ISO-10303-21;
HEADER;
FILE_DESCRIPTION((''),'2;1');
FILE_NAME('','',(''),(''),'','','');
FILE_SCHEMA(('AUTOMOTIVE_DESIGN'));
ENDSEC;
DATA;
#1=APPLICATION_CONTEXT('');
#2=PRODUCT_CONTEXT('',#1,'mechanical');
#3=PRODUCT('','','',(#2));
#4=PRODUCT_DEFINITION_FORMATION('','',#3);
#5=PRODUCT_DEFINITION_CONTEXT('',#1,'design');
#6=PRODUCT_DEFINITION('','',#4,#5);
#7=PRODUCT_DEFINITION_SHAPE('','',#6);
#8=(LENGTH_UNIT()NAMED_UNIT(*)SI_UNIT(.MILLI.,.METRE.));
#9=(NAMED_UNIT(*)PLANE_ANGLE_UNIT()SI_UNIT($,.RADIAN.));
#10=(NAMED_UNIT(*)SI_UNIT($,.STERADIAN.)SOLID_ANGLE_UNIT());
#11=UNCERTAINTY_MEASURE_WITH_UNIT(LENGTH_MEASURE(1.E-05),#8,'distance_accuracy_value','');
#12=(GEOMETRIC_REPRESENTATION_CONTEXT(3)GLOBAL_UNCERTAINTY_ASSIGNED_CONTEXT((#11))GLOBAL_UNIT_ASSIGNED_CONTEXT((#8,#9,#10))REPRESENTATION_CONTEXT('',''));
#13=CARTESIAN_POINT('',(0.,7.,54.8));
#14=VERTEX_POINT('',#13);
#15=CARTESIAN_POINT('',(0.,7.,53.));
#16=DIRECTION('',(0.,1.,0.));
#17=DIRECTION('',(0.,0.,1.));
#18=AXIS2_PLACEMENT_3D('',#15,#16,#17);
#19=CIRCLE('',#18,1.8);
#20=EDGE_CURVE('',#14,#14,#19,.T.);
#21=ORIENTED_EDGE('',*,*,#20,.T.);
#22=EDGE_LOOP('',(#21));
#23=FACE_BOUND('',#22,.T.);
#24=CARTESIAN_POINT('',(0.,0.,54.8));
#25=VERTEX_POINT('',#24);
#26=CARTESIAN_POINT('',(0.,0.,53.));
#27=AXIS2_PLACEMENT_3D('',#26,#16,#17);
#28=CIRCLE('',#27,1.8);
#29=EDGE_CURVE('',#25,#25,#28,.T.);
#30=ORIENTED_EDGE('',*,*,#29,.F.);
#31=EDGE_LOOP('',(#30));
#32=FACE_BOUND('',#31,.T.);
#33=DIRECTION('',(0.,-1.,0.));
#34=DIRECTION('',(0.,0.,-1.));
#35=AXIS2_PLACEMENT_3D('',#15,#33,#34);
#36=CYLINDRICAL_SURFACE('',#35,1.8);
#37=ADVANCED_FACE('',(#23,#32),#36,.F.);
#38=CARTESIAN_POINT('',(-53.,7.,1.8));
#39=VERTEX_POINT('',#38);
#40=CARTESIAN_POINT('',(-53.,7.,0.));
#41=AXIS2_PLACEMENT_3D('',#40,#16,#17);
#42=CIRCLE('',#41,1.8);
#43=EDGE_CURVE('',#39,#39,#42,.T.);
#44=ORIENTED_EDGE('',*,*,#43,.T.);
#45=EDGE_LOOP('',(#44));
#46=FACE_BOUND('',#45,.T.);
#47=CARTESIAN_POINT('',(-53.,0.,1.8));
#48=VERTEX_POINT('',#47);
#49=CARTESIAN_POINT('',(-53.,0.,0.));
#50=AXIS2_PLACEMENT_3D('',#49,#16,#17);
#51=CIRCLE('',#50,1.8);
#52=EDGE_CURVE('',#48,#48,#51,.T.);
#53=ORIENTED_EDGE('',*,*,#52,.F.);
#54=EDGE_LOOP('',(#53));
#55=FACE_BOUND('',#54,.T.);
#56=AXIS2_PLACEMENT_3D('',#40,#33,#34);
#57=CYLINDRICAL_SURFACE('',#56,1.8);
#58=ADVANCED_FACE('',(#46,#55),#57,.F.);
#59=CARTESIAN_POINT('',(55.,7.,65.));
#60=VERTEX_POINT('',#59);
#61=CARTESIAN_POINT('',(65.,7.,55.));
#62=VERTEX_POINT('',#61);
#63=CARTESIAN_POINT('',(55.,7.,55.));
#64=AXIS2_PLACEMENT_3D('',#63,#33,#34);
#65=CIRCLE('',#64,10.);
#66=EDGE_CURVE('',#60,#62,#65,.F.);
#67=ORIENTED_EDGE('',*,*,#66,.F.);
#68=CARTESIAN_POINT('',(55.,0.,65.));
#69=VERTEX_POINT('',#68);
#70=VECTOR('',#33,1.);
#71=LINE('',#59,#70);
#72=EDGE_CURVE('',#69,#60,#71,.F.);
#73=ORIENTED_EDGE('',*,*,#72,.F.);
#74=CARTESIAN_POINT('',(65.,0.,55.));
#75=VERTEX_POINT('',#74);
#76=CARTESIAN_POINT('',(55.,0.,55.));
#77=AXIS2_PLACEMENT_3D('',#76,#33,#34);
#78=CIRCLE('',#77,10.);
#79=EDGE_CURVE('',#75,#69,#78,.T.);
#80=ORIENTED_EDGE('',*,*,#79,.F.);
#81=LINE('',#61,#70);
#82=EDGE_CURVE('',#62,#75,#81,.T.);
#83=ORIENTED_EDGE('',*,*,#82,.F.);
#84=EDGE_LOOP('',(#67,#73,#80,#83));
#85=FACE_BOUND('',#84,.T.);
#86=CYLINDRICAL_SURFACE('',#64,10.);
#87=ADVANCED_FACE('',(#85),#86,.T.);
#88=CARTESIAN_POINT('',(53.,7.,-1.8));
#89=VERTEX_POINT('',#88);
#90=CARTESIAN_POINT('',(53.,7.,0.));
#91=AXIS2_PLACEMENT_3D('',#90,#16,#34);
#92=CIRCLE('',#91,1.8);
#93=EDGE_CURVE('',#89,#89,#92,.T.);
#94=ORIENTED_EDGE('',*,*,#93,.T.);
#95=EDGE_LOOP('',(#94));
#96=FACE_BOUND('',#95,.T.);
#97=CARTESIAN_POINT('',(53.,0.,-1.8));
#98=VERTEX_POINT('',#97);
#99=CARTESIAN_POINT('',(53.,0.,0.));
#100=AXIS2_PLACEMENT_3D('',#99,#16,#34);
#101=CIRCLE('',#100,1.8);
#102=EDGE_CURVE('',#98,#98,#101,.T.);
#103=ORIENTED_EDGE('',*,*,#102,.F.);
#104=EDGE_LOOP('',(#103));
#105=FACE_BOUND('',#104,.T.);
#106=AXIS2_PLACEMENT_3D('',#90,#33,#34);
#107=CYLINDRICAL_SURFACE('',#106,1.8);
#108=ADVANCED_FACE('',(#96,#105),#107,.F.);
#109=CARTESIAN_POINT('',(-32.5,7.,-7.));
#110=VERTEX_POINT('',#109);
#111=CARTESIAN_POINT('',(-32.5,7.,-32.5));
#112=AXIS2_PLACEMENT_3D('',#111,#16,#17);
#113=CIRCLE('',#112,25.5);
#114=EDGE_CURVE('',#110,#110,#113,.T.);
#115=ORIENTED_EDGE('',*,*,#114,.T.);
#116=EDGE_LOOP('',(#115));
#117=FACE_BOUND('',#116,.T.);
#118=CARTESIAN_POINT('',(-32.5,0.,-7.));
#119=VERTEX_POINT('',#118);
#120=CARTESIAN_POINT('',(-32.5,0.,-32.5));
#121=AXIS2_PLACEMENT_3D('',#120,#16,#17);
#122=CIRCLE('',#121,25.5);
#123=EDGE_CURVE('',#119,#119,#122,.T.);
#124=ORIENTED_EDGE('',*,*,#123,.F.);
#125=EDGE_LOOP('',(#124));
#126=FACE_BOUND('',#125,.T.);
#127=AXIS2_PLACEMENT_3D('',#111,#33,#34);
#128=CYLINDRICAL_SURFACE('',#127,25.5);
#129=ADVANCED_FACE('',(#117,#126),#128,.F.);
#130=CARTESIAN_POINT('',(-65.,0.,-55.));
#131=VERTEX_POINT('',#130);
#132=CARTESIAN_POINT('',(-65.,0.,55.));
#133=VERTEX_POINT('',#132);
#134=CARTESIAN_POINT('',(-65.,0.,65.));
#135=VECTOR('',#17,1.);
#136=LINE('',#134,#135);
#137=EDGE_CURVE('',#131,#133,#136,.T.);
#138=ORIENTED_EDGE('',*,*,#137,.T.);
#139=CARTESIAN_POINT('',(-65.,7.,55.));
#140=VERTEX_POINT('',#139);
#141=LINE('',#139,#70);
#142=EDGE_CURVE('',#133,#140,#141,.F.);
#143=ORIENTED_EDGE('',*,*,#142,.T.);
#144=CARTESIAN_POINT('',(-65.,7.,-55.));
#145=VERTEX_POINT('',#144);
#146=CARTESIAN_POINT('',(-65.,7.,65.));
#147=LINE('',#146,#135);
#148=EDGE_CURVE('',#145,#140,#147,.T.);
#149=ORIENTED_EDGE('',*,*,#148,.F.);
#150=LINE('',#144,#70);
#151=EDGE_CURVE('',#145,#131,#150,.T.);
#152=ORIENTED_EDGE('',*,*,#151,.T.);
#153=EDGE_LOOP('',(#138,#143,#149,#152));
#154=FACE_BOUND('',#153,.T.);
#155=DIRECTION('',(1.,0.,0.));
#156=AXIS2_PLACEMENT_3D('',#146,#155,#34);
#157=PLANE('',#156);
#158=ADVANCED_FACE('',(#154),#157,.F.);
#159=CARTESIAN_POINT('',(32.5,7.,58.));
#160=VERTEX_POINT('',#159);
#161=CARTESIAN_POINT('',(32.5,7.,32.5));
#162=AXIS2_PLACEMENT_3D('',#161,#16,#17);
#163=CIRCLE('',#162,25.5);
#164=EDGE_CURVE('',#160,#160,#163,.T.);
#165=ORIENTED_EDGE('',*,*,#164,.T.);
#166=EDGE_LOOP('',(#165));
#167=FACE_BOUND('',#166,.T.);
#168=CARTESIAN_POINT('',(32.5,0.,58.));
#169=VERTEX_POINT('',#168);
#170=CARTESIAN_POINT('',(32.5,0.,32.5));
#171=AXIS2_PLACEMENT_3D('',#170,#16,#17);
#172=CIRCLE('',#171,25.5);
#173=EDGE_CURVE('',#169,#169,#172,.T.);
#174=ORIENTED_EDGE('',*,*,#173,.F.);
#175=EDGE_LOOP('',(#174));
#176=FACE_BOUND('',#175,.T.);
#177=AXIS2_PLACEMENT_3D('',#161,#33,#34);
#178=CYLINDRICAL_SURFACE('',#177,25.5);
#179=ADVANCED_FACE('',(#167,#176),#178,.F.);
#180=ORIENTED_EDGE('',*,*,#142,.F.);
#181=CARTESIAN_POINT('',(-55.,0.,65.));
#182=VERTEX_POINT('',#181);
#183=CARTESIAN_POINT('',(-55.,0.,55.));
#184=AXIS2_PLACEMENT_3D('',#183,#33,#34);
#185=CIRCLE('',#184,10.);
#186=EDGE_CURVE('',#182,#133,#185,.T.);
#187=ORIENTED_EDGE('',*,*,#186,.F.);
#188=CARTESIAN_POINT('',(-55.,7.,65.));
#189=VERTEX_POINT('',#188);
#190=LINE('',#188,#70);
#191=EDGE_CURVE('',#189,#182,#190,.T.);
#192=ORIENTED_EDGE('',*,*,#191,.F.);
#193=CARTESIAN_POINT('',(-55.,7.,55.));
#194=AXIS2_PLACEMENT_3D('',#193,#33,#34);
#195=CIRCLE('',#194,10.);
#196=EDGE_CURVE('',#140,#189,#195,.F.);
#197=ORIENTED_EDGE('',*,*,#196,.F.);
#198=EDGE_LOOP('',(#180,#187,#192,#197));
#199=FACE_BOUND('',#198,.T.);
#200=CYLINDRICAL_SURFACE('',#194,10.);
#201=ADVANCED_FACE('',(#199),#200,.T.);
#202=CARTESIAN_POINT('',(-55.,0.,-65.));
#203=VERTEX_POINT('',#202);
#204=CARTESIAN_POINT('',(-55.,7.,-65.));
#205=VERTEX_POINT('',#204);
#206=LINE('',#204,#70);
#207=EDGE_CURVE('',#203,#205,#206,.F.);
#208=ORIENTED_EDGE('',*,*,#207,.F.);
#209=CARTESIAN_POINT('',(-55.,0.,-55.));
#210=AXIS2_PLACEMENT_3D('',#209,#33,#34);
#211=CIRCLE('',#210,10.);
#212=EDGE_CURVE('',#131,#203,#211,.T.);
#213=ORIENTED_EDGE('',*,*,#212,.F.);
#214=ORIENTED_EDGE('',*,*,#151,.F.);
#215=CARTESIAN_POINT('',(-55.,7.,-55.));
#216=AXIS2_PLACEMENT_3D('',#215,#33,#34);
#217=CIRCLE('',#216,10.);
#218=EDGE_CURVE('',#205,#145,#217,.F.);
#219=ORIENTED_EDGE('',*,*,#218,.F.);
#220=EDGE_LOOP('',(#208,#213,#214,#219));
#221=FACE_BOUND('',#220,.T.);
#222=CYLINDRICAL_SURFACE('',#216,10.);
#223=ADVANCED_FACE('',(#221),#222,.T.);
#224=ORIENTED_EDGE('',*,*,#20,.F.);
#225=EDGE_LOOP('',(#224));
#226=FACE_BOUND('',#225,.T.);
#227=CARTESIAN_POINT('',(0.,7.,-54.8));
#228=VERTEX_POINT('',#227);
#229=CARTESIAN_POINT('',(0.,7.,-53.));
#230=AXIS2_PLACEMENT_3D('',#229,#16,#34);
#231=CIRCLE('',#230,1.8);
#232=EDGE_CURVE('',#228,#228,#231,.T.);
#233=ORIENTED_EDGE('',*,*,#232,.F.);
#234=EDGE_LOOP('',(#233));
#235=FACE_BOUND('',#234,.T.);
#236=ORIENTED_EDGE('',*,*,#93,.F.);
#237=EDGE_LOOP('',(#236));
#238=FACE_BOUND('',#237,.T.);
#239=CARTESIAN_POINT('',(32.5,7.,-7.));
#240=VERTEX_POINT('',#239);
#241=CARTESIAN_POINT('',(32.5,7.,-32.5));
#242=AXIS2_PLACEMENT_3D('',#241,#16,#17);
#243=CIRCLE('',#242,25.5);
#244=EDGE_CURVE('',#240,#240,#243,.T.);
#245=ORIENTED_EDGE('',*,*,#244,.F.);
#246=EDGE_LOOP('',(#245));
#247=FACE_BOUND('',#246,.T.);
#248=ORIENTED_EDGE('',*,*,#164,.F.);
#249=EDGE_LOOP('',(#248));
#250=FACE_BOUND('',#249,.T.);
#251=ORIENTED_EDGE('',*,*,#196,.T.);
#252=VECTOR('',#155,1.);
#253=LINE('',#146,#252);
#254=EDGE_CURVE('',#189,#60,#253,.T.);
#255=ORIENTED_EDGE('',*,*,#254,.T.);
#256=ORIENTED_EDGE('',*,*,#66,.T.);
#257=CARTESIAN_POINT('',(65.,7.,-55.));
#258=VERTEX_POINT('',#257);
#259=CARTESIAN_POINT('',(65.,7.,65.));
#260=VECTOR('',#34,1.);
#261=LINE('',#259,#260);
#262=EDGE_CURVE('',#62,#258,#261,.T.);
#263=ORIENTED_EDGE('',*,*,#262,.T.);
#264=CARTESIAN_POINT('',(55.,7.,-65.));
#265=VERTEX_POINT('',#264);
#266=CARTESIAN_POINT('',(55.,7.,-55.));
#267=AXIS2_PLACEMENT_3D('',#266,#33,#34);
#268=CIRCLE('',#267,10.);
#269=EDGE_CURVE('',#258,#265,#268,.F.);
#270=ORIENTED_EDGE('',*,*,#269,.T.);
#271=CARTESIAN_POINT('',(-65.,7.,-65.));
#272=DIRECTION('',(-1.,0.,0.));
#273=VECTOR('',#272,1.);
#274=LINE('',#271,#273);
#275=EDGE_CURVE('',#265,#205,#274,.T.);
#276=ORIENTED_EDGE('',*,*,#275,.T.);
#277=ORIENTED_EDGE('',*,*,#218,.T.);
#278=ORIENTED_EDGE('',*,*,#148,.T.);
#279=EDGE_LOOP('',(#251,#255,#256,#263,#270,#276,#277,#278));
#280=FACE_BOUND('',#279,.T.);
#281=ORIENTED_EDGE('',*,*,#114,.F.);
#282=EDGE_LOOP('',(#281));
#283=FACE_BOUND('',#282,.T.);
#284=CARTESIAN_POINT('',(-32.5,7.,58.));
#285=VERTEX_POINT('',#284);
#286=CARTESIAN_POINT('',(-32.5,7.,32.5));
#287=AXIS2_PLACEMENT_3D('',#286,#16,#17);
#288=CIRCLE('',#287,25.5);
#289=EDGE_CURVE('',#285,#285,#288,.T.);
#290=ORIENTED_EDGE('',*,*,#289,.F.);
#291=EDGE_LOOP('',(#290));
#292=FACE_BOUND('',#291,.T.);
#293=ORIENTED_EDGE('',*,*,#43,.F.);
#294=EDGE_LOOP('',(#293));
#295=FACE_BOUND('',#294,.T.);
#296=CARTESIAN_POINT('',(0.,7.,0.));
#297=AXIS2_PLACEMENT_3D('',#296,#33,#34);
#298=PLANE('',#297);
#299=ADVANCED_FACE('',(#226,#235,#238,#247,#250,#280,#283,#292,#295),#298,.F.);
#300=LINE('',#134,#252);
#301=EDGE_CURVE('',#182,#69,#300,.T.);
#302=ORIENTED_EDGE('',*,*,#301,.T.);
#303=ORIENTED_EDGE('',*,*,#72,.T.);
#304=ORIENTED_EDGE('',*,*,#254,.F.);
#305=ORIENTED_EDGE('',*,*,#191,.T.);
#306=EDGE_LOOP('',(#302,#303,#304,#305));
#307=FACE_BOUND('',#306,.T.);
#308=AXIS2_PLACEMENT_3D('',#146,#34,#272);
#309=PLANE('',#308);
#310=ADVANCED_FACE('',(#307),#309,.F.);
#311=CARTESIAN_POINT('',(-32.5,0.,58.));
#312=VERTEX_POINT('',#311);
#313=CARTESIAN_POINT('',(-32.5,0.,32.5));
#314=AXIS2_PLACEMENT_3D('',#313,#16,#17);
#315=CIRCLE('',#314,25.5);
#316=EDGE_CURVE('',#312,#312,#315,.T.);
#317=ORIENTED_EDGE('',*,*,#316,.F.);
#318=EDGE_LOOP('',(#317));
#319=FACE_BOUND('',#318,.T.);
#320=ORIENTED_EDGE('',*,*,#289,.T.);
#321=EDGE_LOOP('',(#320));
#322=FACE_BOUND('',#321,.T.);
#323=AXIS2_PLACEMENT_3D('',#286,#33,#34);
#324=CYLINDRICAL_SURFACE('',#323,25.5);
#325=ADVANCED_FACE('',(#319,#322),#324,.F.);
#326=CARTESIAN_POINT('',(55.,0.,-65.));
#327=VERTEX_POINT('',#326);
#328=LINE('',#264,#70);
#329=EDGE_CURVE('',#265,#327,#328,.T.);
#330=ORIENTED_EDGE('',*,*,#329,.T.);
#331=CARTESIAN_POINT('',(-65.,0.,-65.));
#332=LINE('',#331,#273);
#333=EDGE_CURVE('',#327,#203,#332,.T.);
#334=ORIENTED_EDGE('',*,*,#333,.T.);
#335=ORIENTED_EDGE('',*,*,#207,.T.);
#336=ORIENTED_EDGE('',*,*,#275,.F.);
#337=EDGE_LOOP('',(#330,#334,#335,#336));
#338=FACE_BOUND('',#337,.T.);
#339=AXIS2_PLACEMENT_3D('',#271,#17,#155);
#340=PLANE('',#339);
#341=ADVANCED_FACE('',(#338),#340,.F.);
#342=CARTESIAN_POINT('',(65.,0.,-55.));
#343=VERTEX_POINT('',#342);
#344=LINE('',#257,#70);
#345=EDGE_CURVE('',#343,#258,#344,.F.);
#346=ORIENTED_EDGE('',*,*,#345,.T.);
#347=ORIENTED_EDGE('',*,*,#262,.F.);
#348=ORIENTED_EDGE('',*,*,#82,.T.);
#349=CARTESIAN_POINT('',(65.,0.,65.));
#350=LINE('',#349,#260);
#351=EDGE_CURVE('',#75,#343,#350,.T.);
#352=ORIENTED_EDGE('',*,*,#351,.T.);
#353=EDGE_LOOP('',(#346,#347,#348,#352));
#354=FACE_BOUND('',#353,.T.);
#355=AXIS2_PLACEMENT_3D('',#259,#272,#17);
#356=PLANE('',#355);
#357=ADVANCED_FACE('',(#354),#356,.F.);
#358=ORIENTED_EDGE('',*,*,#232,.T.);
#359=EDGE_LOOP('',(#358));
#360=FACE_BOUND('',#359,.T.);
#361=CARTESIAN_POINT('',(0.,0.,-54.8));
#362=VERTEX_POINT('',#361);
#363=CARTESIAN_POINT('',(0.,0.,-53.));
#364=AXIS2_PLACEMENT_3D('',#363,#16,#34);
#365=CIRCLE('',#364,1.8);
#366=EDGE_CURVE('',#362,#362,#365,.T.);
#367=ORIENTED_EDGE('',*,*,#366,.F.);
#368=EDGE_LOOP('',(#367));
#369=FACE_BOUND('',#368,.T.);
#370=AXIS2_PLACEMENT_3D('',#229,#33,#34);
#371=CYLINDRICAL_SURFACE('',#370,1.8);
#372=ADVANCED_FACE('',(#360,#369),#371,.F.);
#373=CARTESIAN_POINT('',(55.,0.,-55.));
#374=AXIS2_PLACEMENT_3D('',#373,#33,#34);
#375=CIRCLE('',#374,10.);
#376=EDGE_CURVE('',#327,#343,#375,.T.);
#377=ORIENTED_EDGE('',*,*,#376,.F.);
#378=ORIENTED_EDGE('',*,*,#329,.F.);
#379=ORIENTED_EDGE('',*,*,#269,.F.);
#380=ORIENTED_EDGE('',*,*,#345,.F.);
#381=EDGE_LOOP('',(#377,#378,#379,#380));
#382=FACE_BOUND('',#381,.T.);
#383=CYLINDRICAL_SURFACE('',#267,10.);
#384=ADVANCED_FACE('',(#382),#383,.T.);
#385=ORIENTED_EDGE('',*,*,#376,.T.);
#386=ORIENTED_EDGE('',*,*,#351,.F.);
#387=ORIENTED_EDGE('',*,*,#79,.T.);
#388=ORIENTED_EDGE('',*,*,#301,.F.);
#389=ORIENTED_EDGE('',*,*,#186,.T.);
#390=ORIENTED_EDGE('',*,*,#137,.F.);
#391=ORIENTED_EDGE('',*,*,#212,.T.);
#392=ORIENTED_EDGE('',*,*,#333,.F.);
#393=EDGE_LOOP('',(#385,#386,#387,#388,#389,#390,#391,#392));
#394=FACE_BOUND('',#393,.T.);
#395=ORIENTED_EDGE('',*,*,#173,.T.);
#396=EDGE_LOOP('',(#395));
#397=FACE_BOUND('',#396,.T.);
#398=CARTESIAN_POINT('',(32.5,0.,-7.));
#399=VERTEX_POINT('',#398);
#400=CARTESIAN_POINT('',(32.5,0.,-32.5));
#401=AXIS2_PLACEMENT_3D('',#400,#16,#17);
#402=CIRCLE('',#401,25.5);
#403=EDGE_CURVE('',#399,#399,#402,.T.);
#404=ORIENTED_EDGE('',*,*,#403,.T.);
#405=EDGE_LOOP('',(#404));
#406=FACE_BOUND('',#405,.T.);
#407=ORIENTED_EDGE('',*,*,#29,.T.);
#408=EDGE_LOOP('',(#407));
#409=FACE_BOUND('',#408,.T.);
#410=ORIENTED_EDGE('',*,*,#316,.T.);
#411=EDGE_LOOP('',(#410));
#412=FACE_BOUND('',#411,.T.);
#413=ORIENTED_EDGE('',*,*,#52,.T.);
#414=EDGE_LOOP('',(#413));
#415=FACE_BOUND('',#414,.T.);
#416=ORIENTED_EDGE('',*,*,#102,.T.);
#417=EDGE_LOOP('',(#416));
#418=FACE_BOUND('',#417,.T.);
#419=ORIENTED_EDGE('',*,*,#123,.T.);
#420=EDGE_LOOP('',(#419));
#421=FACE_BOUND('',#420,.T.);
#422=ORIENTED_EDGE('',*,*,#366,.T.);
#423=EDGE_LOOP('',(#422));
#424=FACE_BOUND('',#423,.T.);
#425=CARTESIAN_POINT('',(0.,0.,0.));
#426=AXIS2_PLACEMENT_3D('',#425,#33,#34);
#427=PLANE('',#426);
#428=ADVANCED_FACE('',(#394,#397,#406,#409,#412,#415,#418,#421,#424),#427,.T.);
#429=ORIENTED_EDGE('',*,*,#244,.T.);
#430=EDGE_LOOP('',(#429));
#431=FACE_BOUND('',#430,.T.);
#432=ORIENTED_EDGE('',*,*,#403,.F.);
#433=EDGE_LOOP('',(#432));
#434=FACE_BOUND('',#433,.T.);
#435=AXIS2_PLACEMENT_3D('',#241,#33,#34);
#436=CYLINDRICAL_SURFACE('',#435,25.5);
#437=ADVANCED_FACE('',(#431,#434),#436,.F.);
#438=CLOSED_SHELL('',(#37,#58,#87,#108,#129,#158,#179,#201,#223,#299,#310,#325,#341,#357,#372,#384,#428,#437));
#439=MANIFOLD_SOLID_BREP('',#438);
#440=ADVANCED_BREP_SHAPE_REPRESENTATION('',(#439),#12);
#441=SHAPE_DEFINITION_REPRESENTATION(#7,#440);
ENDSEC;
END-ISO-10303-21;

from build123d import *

# Parameters (mm, degrees)
SKETCH1_W           = 130
SKETCH1_H           = 130
SKETCH1_R           = 25.5
SKETCH1_R_2         = 1.8
BOSS_EXTRUDE1_DEPTH = 7
FILLET1_R           = 10


with BuildPart() as part:
    # Sketch1 → Boss-Extrude1 (new body)
    with BuildSketch(Plane(origin=(0, 0, 0), x_dir=(1, 0, 0), z_dir=(0, 1, 0))):
        Rectangle(SKETCH1_W, SKETCH1_H)
        with Locations(Location((-32.5, 32.5, 0), (0, 0, 270))):
            Circle(SKETCH1_R, mode=Mode.SUBTRACT)
        with Locations(Location((32.5, 32.5, 0), (0, 0, 270))):
            Circle(SKETCH1_R, mode=Mode.SUBTRACT)
        with Locations(Location((-32.5, -32.5, 0), (0, 0, 270))):
            Circle(SKETCH1_R, mode=Mode.SUBTRACT)
        with Locations(Location((32.5, -32.5, 0), (0, 0, 270))):
            Circle(SKETCH1_R, mode=Mode.SUBTRACT)
        with Locations(Location((0, -53, 0), (0, 0, 270))):
            Circle(SKETCH1_R_2, mode=Mode.SUBTRACT)
        with Locations(Location((-53, 0, 0), (0, 0, 270))):
            Circle(SKETCH1_R_2, mode=Mode.SUBTRACT)
        with Locations(Location((0, 53, 0), (0, 0, 90))):
            Circle(SKETCH1_R_2, mode=Mode.SUBTRACT)
        with Locations(Location((53, 0, 0), (0, 0, 90))):
            Circle(SKETCH1_R_2, mode=Mode.SUBTRACT)
    extrude(amount=BOSS_EXTRUDE1_DEPTH)

    # Fillet1
    fillet1_edges = [part.edges().sort_by_distance(p)[0] for p in [
        (-65, 3.5, -65),
        (65, 3.5, -65),
        (65, 3.5, 65),
        (-65, 3.5, 65),
    ]]
    fillet(fillet1_edges, radius=FILLET1_R)


solid = part.part
